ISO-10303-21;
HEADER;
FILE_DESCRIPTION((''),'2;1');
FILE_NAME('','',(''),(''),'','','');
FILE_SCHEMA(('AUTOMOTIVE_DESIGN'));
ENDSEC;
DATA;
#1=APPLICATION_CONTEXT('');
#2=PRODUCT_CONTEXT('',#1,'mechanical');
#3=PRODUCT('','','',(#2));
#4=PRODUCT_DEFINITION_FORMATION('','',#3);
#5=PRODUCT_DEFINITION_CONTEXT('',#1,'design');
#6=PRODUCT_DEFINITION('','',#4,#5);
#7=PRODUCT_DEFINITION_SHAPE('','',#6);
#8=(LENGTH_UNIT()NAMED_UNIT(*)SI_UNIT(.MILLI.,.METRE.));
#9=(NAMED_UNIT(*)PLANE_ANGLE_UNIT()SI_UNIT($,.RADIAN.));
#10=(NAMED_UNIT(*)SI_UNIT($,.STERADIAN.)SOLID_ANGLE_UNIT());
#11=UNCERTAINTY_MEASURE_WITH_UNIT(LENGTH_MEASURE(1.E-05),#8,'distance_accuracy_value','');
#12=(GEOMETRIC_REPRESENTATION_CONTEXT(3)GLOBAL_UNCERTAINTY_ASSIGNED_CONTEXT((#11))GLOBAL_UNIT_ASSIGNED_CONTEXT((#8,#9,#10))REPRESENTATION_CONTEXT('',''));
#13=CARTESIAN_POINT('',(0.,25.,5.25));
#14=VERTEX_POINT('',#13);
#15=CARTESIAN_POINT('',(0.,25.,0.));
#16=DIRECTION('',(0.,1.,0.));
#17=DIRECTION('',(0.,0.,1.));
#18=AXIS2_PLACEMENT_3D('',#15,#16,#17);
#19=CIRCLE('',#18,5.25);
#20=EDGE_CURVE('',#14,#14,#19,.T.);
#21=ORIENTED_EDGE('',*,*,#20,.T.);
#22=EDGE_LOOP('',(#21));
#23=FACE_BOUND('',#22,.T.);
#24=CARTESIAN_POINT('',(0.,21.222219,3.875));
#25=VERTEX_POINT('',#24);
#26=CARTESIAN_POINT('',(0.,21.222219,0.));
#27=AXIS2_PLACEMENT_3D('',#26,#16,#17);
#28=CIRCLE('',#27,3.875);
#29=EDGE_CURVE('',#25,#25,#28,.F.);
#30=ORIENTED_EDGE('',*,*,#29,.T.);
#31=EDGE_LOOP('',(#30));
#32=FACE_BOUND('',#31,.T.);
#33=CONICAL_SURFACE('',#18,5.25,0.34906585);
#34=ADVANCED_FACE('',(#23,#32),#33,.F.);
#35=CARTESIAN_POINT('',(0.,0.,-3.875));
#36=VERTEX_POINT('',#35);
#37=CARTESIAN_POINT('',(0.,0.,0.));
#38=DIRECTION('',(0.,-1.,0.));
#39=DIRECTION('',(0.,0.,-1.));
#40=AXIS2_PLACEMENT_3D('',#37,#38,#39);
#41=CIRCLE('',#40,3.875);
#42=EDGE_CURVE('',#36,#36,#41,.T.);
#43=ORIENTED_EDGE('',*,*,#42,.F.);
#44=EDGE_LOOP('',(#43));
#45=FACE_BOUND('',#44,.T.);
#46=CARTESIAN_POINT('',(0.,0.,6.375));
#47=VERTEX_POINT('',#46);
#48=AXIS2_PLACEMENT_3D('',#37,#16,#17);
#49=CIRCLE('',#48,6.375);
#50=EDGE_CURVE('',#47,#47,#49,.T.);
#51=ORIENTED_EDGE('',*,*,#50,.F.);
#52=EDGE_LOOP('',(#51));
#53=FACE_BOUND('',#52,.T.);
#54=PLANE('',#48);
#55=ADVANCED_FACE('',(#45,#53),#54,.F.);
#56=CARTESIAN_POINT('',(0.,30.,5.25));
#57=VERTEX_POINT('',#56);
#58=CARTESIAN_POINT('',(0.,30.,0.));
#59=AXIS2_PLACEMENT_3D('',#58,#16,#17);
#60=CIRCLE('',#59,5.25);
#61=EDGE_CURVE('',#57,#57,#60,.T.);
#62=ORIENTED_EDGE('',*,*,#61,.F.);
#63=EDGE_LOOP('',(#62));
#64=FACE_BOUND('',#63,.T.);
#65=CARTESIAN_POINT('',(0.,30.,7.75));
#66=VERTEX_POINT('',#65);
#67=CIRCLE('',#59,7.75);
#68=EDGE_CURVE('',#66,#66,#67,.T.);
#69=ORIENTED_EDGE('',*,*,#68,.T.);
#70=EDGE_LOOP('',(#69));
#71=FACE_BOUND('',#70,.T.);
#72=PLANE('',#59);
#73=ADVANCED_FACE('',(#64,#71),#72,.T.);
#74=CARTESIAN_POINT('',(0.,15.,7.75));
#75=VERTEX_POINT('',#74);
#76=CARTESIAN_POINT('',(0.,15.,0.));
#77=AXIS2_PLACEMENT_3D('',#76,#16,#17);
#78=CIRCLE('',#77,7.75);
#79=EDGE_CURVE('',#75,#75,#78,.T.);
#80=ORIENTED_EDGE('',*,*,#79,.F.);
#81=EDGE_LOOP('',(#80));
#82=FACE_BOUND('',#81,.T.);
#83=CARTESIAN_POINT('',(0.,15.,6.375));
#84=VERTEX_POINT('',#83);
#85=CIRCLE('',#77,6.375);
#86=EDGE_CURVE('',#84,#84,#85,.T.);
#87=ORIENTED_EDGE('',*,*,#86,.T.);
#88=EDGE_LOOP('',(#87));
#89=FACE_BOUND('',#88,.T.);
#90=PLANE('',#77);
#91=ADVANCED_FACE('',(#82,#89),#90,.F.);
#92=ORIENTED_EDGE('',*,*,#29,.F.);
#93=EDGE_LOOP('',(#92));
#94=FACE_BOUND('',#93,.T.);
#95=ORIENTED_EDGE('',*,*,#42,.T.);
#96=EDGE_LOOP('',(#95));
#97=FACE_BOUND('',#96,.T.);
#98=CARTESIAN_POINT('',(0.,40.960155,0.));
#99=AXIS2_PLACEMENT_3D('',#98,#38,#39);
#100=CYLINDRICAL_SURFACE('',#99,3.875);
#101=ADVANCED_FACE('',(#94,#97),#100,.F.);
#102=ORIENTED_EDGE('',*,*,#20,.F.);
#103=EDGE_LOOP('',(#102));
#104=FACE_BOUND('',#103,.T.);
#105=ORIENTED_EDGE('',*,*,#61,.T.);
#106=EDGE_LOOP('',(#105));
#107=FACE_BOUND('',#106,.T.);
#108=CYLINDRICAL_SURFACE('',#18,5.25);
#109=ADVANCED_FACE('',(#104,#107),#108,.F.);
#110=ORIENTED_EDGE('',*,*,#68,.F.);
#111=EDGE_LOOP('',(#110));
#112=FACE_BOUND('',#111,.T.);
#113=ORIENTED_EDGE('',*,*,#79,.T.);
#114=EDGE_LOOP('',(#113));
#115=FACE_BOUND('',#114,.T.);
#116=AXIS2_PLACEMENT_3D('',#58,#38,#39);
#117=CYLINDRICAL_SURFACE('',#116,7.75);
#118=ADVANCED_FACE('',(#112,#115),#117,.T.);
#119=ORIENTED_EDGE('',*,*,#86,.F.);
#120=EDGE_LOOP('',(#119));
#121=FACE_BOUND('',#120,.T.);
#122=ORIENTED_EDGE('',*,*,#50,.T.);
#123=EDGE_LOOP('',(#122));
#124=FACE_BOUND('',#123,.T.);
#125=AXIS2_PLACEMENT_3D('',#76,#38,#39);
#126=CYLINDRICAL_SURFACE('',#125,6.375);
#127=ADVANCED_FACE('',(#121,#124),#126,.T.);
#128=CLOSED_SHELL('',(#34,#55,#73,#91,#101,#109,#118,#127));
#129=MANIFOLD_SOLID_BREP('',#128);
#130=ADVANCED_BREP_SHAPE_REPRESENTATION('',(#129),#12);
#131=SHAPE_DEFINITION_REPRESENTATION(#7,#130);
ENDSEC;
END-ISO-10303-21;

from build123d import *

# Parameters (mm, degrees)
SKETCH1_R           = 6.375
BOSS_EXTRUDE1_DEPTH = 15
SKETCH9_R           = 7.75
BOSS_EXTRUDE5_DEPTH = 15
SKETCH10_R          = 5.25
CUT_EXTRUDE4_DEPTH  = 5
SKETCH11_R          = 5.25
CUT_EXTRUDE5_DEPTH  = 10
CUT_EXTRUDE5_DRAFT  = -20
SKETCH12_R          = 3.875
CUT_EXTRUDE6_DEPTH  = 30


with BuildPart() as part:
    # Sketch1 → Boss-Extrude1 (new body)
    with BuildSketch(Plane(origin=(0, 0, 0), x_dir=(1, 0, 0), z_dir=(0, 1, 0))):
        with Locations(Location((0, 0, 0), (0, 0, 270))):
            Circle(SKETCH1_R)
    extrude(amount=BOSS_EXTRUDE1_DEPTH)

    # Sketch9 → Boss-Extrude5 (add)
    with BuildSketch(Plane(origin=(0, 15, 0), x_dir=(1, 0, 0), z_dir=(0, 1, 0))):
        with Locations(Location((0, 0, 0), (0, 0, 270))):
            Circle(SKETCH9_R)
    extrude(amount=BOSS_EXTRUDE5_DEPTH)

    # Sketch10 → Cut-Extrude4 (cut)
    with BuildSketch(Plane(origin=(0, 30, 0), x_dir=(1, 0, 0), z_dir=(0, 1, 0))):
        with Locations(Location((0, 0, 0), (0, 0, 270))):
            Circle(SKETCH10_R)
    extrude(amount=-CUT_EXTRUDE4_DEPTH, mode=Mode.SUBTRACT)


with BuildPart() as cut_extrude5_tool:
    # Sketch11 → Cut-Extrude5 (with draft: the straight prism first)
    with BuildSketch(Plane(origin=(0, 25, 0), x_dir=(1, 0, 0), z_dir=(0, 1, 0))):
        with Locations(Location((0, 0, 0), (0, 0, 270))):
            Circle(SKETCH11_R)
    extrude(amount=-CUT_EXTRUDE5_DEPTH)
    # Cut-Extrude5: the draft: its side faces are tilted about the plane it starts from
    cut_extrude5_sides = [cut_extrude5_tool.faces().sort_by_distance(p)[0] for p in [
        (0, 20, -5.25),
    ]]
    draft(cut_extrude5_sides, Plane(origin=(0, 25, 0), x_dir=(1, 0, 0), z_dir=(0, 1, 0)), CUT_EXTRUDE5_DRAFT)


with BuildPart() as part_1:
    add(part.part)

    # Cut-Extrude5: cut by cut_extrude5_tool
    add(cut_extrude5_tool.part, mode=Mode.SUBTRACT)

    # Sketch12 → Cut-Extrude6 (cut)
    with BuildSketch(Plane.XZ):
        with Locations(Location((0, 0, 0), (0, 0, 270))):
            Circle(SKETCH12_R)
    extrude(amount=-CUT_EXTRUDE6_DEPTH, mode=Mode.SUBTRACT)


solid = part_1.part
